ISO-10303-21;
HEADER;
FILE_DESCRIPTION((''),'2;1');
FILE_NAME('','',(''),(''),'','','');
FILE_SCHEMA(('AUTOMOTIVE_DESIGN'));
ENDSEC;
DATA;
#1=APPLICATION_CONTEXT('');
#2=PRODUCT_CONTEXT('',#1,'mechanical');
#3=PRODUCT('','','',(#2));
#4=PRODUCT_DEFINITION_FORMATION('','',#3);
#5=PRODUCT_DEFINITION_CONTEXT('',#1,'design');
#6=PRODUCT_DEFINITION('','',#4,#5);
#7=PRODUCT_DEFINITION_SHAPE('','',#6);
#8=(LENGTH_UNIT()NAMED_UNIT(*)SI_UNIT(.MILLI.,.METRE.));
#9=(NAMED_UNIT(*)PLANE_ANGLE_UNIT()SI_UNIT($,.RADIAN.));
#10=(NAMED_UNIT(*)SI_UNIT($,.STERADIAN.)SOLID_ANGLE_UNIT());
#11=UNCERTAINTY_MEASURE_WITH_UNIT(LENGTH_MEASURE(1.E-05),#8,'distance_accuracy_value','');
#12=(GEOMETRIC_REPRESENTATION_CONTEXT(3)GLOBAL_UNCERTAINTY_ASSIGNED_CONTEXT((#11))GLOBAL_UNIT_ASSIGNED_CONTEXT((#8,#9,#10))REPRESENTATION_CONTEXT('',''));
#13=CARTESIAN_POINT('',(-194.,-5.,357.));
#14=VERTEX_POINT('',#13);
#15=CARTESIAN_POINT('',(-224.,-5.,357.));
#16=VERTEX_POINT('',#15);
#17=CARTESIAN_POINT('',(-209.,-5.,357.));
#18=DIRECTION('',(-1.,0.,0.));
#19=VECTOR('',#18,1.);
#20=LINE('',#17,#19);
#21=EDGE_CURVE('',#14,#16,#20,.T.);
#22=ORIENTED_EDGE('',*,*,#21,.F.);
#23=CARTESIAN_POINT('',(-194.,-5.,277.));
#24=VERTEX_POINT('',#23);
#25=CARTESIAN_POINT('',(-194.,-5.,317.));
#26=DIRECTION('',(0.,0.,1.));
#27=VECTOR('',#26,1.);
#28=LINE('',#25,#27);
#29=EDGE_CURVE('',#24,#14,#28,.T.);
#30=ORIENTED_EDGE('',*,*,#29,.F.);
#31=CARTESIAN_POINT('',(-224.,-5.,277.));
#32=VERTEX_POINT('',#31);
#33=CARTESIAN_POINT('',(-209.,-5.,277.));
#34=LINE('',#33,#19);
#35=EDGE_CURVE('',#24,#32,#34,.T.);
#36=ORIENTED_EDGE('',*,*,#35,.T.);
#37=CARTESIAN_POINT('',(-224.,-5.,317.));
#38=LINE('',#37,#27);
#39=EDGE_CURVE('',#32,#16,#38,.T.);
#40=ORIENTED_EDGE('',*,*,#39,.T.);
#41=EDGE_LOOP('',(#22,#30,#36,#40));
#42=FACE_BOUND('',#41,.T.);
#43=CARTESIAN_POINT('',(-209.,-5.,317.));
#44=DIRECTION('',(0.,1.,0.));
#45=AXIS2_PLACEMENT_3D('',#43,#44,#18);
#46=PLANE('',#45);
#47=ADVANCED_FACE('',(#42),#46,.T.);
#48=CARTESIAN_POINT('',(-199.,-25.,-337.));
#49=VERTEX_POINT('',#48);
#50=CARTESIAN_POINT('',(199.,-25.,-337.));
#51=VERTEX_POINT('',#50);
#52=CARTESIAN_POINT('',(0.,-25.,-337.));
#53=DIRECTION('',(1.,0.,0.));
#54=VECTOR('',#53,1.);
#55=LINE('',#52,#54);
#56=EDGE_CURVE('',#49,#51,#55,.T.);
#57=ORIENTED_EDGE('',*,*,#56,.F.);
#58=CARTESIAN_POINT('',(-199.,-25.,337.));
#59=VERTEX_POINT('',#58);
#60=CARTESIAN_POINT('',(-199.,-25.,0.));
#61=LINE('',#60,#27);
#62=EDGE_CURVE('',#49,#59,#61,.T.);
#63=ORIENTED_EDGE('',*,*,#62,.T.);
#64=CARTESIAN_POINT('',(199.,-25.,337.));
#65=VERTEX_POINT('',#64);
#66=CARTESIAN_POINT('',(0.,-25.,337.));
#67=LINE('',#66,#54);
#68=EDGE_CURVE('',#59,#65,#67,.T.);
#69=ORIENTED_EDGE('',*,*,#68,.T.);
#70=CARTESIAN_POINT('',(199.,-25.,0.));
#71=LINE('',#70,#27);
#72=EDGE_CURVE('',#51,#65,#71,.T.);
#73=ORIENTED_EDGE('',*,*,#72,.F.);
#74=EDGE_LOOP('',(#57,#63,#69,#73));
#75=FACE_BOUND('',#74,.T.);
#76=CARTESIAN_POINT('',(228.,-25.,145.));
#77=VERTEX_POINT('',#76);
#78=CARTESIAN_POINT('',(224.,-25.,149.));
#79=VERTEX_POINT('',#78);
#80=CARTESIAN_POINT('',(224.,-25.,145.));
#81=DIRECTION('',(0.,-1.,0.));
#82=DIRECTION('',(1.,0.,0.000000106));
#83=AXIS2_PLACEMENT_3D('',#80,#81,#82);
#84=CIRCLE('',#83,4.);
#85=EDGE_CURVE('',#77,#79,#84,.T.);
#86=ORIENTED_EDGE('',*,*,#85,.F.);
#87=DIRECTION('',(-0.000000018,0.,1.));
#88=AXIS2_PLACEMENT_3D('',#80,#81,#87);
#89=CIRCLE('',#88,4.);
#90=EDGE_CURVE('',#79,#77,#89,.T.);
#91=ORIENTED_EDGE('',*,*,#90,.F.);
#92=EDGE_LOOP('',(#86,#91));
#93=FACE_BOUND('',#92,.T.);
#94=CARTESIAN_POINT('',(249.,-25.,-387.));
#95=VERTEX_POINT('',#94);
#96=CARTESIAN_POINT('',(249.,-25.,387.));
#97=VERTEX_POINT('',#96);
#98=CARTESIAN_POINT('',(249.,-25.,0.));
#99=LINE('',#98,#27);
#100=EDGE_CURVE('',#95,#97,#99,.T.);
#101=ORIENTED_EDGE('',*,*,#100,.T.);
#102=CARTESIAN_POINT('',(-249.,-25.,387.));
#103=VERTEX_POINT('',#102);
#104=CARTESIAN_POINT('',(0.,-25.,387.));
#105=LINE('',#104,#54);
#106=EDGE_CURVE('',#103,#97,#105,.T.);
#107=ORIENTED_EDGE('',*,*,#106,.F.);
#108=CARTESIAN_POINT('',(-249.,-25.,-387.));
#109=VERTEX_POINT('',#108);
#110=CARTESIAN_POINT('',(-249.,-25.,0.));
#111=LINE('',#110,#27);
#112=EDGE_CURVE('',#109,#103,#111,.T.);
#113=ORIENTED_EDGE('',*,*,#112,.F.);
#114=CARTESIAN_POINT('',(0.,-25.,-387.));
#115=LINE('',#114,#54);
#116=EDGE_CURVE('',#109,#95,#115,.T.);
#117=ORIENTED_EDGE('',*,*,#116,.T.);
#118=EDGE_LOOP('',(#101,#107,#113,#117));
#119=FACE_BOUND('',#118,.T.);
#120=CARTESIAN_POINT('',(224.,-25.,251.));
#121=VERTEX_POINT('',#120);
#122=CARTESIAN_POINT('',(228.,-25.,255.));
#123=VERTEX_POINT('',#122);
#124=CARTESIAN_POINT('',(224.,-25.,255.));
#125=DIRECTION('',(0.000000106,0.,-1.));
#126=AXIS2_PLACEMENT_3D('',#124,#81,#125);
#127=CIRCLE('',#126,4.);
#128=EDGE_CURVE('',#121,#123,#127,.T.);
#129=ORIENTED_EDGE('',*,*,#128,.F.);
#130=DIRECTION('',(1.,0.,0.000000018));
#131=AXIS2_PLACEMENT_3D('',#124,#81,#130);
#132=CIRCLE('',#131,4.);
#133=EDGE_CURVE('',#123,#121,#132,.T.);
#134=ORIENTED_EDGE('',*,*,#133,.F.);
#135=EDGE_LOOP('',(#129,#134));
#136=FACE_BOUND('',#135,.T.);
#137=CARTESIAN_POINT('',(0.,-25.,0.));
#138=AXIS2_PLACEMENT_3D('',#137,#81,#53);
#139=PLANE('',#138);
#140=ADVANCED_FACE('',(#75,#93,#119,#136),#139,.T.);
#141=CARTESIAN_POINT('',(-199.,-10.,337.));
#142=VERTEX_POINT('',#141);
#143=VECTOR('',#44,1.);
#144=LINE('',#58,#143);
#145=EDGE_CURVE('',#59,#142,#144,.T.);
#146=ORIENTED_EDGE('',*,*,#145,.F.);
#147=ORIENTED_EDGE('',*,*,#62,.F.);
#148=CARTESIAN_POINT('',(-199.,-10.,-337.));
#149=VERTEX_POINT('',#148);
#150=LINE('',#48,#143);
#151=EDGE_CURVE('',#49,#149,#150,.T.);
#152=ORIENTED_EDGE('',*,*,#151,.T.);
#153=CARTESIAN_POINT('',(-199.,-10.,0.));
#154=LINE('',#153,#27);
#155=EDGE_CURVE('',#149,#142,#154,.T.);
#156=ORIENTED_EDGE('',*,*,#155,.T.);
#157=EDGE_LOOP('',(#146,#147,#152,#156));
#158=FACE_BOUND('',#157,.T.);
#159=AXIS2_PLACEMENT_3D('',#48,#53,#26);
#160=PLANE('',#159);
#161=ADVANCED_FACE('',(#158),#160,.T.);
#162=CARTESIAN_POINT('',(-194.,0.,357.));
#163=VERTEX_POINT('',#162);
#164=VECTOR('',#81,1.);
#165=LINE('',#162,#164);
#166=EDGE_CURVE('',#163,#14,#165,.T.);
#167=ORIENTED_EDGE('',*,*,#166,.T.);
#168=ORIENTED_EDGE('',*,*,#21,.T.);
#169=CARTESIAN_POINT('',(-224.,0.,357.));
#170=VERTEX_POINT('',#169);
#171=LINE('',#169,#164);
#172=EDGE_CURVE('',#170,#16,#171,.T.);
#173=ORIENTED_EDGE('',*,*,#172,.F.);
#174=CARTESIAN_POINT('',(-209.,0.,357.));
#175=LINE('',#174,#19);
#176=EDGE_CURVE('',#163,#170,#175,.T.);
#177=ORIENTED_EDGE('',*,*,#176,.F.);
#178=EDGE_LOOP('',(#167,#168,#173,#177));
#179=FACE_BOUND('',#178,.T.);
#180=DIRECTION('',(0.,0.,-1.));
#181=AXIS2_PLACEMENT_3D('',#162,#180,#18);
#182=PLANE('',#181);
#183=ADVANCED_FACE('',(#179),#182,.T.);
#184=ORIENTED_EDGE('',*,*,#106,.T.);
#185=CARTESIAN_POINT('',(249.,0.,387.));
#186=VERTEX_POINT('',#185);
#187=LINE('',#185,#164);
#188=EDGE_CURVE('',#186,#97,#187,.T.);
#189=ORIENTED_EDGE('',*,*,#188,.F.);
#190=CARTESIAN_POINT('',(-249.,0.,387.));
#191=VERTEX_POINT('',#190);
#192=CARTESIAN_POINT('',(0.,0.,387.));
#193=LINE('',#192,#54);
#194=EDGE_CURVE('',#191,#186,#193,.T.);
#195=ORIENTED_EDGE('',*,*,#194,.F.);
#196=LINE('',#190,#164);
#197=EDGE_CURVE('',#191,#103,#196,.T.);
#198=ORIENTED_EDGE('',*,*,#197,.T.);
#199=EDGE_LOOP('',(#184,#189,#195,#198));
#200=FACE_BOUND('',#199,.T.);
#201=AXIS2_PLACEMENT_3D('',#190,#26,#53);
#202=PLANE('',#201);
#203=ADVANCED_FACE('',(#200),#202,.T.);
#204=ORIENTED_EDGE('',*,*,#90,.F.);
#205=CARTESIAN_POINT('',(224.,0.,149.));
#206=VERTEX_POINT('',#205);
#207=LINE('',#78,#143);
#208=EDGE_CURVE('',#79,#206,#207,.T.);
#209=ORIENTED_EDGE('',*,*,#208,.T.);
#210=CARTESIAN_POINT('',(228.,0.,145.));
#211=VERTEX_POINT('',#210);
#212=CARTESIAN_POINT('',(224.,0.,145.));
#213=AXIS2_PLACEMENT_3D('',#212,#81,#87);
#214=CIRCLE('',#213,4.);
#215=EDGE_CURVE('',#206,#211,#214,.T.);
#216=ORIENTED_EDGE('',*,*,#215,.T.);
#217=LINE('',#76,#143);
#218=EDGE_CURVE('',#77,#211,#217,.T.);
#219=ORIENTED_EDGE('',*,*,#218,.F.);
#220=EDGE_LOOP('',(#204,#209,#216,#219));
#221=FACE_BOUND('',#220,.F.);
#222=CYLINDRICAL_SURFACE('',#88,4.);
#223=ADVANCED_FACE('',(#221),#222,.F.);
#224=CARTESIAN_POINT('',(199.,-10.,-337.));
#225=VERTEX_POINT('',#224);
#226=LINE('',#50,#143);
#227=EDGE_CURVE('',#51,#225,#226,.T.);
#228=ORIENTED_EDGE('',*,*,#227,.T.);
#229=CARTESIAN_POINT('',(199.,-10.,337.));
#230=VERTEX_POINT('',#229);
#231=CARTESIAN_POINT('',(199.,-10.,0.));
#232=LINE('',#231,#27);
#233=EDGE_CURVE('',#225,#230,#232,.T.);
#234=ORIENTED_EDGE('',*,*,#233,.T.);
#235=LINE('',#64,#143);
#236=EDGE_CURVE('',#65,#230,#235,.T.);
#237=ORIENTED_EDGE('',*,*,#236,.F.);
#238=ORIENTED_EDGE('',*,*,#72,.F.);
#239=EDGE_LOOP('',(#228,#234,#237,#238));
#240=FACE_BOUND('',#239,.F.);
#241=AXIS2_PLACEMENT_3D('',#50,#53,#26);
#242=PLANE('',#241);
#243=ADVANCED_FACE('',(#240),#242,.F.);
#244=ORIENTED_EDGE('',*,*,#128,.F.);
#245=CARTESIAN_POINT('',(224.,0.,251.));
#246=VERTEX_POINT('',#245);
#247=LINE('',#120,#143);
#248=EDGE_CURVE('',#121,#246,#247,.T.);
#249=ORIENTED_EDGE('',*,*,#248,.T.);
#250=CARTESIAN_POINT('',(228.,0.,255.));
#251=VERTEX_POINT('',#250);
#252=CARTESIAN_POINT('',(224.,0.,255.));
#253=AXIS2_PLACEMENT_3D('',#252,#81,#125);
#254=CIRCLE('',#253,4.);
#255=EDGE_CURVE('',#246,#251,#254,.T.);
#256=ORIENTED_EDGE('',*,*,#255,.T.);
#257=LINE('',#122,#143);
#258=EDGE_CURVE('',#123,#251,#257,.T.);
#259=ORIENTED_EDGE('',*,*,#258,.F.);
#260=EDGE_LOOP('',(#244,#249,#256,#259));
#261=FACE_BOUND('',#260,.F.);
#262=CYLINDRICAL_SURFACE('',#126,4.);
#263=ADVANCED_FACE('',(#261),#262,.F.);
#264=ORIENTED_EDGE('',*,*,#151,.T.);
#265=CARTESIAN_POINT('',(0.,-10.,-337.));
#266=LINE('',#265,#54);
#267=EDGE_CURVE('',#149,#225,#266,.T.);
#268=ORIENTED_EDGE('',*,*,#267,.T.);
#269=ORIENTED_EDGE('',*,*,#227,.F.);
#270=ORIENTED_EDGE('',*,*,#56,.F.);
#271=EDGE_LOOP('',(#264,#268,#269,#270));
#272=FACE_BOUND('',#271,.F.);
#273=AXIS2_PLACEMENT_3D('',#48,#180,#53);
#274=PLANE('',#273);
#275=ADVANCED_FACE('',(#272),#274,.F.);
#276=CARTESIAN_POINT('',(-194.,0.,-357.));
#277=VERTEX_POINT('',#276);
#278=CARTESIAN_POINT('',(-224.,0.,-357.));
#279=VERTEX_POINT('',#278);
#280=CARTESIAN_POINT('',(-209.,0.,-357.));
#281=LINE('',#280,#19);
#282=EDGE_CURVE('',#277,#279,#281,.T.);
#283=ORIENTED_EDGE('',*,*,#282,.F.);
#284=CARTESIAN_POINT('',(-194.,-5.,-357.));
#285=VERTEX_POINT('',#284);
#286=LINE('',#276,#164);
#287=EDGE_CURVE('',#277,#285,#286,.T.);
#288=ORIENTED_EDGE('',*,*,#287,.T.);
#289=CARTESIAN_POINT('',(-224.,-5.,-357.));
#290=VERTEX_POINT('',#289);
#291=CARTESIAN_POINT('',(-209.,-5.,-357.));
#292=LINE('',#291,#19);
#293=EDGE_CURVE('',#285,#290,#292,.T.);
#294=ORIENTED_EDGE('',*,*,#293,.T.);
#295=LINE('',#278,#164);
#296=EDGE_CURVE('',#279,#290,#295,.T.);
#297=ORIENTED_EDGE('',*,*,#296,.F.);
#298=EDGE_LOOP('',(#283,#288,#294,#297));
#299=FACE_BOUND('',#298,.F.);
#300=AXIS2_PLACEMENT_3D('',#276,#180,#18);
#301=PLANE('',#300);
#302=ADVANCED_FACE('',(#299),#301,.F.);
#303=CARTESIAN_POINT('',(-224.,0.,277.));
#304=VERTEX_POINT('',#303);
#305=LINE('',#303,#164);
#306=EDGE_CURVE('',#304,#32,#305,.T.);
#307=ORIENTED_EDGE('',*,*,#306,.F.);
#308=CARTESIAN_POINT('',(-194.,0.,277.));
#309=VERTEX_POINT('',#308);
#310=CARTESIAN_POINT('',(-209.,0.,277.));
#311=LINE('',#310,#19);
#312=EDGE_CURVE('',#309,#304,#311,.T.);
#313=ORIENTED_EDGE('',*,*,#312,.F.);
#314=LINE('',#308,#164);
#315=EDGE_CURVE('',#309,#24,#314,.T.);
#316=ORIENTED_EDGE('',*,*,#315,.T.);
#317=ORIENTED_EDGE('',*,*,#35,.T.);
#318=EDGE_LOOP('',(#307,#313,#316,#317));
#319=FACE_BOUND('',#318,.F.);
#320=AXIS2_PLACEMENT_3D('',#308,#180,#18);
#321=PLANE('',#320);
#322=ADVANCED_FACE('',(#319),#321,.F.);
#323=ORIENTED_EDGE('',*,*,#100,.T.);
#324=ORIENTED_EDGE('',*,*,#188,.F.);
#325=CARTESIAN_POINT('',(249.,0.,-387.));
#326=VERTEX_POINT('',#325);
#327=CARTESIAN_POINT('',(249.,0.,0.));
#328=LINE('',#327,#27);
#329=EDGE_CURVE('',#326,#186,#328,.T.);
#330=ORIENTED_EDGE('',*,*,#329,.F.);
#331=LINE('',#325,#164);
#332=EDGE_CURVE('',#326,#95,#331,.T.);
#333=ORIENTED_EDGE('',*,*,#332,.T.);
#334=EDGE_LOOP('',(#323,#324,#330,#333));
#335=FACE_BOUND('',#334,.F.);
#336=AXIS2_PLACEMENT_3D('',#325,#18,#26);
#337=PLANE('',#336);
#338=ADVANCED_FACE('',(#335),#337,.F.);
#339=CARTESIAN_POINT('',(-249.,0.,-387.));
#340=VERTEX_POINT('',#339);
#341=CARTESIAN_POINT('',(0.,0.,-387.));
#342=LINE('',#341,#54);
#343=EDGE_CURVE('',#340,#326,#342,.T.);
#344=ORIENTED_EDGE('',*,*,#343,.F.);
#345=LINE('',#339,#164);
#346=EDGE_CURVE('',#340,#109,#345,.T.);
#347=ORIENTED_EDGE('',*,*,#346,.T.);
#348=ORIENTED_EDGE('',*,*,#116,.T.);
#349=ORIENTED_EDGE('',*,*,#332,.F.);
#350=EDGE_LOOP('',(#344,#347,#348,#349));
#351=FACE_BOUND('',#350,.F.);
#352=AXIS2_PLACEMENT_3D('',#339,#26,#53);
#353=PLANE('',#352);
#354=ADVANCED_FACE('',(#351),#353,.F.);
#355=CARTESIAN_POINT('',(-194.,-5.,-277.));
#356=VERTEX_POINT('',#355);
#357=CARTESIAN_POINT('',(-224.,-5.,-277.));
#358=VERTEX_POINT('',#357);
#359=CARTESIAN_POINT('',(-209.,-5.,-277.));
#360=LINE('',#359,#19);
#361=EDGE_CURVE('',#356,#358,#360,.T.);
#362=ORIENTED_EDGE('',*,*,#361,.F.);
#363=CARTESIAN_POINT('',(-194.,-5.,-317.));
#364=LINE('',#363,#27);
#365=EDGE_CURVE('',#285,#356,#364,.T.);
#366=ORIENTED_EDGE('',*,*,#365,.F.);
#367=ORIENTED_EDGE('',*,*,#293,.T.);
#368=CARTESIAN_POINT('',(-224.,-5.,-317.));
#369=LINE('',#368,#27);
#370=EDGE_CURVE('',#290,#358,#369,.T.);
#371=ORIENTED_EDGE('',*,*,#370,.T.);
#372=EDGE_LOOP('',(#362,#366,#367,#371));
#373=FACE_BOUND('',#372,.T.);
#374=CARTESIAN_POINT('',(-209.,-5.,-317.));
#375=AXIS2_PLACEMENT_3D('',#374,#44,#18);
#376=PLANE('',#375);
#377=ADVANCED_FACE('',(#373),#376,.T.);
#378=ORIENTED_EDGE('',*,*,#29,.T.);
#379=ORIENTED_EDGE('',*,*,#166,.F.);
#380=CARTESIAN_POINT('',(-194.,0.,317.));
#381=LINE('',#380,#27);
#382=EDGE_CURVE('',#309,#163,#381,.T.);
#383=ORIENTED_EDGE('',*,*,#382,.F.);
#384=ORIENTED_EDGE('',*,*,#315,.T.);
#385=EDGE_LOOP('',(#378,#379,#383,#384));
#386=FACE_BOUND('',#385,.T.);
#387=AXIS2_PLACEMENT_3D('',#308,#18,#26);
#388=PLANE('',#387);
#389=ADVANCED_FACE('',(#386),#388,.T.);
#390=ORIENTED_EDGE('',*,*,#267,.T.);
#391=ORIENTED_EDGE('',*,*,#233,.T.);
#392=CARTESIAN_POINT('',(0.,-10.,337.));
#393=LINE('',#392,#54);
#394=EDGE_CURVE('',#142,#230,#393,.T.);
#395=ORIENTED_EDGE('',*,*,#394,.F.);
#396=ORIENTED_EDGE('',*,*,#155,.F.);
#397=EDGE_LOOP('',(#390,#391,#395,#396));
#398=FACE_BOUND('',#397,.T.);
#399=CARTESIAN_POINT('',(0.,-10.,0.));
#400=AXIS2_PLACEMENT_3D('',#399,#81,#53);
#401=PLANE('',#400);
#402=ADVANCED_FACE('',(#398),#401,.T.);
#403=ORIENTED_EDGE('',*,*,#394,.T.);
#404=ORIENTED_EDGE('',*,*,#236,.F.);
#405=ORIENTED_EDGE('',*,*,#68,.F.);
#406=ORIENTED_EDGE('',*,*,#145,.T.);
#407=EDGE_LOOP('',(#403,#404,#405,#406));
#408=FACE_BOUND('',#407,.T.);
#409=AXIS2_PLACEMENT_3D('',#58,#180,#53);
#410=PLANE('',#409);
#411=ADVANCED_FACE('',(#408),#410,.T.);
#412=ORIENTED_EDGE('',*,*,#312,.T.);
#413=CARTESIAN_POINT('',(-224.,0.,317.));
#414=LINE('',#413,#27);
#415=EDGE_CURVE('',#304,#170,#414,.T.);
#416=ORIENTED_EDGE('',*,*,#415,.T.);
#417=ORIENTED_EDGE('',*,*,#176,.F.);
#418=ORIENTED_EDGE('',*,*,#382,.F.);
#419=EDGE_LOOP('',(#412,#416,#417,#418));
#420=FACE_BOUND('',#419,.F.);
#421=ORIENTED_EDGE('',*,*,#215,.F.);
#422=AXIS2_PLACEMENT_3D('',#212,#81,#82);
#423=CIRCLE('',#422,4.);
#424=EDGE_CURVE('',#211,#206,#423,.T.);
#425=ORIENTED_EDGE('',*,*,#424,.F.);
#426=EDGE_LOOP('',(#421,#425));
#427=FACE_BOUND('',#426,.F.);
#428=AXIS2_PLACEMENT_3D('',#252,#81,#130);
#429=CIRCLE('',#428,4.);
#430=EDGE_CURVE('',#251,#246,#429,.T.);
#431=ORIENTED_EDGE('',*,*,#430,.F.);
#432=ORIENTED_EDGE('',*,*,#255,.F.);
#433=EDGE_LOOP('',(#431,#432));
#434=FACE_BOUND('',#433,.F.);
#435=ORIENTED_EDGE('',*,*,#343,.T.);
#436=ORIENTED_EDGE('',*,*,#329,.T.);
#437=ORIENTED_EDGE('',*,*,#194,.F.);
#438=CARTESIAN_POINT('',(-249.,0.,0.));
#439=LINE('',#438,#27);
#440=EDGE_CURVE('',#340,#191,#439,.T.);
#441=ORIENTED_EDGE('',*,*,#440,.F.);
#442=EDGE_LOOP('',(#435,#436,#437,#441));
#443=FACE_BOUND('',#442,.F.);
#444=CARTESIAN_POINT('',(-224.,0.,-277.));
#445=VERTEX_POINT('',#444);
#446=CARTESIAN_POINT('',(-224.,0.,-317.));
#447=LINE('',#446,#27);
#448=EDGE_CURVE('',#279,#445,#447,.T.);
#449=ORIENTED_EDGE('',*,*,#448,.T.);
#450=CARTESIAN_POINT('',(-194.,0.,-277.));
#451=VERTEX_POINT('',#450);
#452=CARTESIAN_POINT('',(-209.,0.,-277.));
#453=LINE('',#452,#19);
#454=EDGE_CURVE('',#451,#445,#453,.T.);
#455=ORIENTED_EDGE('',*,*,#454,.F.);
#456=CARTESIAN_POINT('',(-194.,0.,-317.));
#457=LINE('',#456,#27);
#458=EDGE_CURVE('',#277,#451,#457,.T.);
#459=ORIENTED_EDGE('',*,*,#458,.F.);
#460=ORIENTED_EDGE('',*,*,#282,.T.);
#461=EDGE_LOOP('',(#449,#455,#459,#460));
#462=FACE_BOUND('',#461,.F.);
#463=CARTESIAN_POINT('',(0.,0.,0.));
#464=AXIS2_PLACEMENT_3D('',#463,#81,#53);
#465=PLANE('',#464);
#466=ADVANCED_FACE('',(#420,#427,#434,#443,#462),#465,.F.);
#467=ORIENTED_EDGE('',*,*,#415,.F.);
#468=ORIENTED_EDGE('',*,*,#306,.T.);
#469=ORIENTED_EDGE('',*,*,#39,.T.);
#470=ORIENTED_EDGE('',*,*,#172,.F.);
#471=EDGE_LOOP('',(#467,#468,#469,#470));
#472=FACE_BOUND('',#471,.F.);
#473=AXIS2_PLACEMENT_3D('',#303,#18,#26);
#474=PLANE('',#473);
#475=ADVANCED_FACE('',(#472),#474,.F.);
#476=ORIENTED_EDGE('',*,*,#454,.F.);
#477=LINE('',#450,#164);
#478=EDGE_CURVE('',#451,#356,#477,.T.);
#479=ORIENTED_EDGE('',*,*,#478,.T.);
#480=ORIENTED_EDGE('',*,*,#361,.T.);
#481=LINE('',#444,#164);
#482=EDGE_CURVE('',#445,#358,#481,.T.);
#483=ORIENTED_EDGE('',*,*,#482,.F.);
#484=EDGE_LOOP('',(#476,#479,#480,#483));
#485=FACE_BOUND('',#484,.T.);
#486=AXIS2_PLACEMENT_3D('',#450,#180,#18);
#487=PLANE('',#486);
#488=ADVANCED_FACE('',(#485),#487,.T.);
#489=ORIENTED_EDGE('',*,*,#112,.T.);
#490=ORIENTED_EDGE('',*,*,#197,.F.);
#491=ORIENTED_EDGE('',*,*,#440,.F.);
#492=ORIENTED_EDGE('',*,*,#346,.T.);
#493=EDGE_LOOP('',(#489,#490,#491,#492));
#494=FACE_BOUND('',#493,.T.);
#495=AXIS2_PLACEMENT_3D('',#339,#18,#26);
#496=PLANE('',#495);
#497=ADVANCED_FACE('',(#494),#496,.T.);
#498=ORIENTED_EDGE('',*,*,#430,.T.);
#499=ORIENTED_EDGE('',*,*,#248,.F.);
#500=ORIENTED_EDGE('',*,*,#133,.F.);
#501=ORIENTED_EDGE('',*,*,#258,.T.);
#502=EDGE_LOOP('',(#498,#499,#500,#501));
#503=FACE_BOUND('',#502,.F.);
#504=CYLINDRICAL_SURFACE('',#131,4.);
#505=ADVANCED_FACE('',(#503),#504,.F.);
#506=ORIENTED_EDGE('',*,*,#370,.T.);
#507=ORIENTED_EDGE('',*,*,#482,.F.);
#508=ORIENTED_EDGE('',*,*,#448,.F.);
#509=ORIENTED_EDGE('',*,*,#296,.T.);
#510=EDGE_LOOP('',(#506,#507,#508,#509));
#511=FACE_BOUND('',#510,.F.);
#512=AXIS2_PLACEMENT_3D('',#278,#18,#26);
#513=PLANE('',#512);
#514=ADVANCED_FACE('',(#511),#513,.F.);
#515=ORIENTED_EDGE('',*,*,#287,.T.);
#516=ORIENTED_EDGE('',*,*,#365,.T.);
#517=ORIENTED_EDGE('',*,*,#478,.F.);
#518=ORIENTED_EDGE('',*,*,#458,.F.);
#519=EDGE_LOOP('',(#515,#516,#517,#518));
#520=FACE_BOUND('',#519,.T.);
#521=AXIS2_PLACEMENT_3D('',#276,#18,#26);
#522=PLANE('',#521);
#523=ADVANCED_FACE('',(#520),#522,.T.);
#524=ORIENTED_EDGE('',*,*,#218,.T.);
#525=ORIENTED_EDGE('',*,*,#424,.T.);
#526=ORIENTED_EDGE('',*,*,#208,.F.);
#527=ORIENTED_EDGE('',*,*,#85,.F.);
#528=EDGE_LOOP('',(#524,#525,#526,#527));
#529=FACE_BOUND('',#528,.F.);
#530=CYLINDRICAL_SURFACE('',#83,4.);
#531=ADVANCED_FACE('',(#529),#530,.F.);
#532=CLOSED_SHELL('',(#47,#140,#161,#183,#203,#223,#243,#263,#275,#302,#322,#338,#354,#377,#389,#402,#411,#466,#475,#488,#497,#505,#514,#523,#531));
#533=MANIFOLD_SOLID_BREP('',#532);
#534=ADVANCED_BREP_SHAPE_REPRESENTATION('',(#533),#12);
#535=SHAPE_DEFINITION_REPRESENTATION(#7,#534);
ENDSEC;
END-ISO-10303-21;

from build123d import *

# Parameters (mm, degrees)
F0_W     = 498
F0_H     = 774
F1_DEPTH = 25
F2_W     = 398
F2_H     = 674
F3_DEPTH = 15
F5_DEPTH = 25
F6_W     = 30
F6_H     = 80
F7_DEPTH = 5


with BuildPart() as f1:
    # F0 (on Front) → F1 (new body)
    with BuildSketch(Plane.XZ):
        Rectangle(F0_W, F0_H)
    extrude(amount=F1_DEPTH)

    # F2 (on face) → F3 (cut)
    with BuildSketch(Plane.XZ.offset(25)):
        Rectangle(F2_W, F2_H)
    extrude(amount=-F3_DEPTH, mode=Mode.SUBTRACT)

    # F4 (on face) → F5 (cut, through all)
    with BuildSketch(Plane.XZ.offset(25)):
        with BuildLine():
            ThreePointArc((228, 255), (221.171573, 257.828427), (224, 251))
            ThreePointArc((224, 251), (226.828427, 252.171573), (228, 255))
        make_face()
        with BuildLine():
            ThreePointArc((228, 145), (226.828427, 147.828427), (224, 149))
            ThreePointArc((224, 149), (221.171573, 142.171573), (228, 145))
        make_face()
    extrude(amount=-F5_DEPTH, mode=Mode.SUBTRACT)

    # F6 (on face) → F7 (cut)
    with BuildSketch(Plane(origin=(0, 0, 0), x_dir=(-1, 0, 0), z_dir=(0, 1, 0))):
        with Locations((209, 317)):
            Rectangle(F6_W, F6_H)
        with Locations((209, -317)):
            Rectangle(F6_W, F6_H)
    extrude(amount=-F7_DEPTH, mode=Mode.SUBTRACT)


solid = f1.part
